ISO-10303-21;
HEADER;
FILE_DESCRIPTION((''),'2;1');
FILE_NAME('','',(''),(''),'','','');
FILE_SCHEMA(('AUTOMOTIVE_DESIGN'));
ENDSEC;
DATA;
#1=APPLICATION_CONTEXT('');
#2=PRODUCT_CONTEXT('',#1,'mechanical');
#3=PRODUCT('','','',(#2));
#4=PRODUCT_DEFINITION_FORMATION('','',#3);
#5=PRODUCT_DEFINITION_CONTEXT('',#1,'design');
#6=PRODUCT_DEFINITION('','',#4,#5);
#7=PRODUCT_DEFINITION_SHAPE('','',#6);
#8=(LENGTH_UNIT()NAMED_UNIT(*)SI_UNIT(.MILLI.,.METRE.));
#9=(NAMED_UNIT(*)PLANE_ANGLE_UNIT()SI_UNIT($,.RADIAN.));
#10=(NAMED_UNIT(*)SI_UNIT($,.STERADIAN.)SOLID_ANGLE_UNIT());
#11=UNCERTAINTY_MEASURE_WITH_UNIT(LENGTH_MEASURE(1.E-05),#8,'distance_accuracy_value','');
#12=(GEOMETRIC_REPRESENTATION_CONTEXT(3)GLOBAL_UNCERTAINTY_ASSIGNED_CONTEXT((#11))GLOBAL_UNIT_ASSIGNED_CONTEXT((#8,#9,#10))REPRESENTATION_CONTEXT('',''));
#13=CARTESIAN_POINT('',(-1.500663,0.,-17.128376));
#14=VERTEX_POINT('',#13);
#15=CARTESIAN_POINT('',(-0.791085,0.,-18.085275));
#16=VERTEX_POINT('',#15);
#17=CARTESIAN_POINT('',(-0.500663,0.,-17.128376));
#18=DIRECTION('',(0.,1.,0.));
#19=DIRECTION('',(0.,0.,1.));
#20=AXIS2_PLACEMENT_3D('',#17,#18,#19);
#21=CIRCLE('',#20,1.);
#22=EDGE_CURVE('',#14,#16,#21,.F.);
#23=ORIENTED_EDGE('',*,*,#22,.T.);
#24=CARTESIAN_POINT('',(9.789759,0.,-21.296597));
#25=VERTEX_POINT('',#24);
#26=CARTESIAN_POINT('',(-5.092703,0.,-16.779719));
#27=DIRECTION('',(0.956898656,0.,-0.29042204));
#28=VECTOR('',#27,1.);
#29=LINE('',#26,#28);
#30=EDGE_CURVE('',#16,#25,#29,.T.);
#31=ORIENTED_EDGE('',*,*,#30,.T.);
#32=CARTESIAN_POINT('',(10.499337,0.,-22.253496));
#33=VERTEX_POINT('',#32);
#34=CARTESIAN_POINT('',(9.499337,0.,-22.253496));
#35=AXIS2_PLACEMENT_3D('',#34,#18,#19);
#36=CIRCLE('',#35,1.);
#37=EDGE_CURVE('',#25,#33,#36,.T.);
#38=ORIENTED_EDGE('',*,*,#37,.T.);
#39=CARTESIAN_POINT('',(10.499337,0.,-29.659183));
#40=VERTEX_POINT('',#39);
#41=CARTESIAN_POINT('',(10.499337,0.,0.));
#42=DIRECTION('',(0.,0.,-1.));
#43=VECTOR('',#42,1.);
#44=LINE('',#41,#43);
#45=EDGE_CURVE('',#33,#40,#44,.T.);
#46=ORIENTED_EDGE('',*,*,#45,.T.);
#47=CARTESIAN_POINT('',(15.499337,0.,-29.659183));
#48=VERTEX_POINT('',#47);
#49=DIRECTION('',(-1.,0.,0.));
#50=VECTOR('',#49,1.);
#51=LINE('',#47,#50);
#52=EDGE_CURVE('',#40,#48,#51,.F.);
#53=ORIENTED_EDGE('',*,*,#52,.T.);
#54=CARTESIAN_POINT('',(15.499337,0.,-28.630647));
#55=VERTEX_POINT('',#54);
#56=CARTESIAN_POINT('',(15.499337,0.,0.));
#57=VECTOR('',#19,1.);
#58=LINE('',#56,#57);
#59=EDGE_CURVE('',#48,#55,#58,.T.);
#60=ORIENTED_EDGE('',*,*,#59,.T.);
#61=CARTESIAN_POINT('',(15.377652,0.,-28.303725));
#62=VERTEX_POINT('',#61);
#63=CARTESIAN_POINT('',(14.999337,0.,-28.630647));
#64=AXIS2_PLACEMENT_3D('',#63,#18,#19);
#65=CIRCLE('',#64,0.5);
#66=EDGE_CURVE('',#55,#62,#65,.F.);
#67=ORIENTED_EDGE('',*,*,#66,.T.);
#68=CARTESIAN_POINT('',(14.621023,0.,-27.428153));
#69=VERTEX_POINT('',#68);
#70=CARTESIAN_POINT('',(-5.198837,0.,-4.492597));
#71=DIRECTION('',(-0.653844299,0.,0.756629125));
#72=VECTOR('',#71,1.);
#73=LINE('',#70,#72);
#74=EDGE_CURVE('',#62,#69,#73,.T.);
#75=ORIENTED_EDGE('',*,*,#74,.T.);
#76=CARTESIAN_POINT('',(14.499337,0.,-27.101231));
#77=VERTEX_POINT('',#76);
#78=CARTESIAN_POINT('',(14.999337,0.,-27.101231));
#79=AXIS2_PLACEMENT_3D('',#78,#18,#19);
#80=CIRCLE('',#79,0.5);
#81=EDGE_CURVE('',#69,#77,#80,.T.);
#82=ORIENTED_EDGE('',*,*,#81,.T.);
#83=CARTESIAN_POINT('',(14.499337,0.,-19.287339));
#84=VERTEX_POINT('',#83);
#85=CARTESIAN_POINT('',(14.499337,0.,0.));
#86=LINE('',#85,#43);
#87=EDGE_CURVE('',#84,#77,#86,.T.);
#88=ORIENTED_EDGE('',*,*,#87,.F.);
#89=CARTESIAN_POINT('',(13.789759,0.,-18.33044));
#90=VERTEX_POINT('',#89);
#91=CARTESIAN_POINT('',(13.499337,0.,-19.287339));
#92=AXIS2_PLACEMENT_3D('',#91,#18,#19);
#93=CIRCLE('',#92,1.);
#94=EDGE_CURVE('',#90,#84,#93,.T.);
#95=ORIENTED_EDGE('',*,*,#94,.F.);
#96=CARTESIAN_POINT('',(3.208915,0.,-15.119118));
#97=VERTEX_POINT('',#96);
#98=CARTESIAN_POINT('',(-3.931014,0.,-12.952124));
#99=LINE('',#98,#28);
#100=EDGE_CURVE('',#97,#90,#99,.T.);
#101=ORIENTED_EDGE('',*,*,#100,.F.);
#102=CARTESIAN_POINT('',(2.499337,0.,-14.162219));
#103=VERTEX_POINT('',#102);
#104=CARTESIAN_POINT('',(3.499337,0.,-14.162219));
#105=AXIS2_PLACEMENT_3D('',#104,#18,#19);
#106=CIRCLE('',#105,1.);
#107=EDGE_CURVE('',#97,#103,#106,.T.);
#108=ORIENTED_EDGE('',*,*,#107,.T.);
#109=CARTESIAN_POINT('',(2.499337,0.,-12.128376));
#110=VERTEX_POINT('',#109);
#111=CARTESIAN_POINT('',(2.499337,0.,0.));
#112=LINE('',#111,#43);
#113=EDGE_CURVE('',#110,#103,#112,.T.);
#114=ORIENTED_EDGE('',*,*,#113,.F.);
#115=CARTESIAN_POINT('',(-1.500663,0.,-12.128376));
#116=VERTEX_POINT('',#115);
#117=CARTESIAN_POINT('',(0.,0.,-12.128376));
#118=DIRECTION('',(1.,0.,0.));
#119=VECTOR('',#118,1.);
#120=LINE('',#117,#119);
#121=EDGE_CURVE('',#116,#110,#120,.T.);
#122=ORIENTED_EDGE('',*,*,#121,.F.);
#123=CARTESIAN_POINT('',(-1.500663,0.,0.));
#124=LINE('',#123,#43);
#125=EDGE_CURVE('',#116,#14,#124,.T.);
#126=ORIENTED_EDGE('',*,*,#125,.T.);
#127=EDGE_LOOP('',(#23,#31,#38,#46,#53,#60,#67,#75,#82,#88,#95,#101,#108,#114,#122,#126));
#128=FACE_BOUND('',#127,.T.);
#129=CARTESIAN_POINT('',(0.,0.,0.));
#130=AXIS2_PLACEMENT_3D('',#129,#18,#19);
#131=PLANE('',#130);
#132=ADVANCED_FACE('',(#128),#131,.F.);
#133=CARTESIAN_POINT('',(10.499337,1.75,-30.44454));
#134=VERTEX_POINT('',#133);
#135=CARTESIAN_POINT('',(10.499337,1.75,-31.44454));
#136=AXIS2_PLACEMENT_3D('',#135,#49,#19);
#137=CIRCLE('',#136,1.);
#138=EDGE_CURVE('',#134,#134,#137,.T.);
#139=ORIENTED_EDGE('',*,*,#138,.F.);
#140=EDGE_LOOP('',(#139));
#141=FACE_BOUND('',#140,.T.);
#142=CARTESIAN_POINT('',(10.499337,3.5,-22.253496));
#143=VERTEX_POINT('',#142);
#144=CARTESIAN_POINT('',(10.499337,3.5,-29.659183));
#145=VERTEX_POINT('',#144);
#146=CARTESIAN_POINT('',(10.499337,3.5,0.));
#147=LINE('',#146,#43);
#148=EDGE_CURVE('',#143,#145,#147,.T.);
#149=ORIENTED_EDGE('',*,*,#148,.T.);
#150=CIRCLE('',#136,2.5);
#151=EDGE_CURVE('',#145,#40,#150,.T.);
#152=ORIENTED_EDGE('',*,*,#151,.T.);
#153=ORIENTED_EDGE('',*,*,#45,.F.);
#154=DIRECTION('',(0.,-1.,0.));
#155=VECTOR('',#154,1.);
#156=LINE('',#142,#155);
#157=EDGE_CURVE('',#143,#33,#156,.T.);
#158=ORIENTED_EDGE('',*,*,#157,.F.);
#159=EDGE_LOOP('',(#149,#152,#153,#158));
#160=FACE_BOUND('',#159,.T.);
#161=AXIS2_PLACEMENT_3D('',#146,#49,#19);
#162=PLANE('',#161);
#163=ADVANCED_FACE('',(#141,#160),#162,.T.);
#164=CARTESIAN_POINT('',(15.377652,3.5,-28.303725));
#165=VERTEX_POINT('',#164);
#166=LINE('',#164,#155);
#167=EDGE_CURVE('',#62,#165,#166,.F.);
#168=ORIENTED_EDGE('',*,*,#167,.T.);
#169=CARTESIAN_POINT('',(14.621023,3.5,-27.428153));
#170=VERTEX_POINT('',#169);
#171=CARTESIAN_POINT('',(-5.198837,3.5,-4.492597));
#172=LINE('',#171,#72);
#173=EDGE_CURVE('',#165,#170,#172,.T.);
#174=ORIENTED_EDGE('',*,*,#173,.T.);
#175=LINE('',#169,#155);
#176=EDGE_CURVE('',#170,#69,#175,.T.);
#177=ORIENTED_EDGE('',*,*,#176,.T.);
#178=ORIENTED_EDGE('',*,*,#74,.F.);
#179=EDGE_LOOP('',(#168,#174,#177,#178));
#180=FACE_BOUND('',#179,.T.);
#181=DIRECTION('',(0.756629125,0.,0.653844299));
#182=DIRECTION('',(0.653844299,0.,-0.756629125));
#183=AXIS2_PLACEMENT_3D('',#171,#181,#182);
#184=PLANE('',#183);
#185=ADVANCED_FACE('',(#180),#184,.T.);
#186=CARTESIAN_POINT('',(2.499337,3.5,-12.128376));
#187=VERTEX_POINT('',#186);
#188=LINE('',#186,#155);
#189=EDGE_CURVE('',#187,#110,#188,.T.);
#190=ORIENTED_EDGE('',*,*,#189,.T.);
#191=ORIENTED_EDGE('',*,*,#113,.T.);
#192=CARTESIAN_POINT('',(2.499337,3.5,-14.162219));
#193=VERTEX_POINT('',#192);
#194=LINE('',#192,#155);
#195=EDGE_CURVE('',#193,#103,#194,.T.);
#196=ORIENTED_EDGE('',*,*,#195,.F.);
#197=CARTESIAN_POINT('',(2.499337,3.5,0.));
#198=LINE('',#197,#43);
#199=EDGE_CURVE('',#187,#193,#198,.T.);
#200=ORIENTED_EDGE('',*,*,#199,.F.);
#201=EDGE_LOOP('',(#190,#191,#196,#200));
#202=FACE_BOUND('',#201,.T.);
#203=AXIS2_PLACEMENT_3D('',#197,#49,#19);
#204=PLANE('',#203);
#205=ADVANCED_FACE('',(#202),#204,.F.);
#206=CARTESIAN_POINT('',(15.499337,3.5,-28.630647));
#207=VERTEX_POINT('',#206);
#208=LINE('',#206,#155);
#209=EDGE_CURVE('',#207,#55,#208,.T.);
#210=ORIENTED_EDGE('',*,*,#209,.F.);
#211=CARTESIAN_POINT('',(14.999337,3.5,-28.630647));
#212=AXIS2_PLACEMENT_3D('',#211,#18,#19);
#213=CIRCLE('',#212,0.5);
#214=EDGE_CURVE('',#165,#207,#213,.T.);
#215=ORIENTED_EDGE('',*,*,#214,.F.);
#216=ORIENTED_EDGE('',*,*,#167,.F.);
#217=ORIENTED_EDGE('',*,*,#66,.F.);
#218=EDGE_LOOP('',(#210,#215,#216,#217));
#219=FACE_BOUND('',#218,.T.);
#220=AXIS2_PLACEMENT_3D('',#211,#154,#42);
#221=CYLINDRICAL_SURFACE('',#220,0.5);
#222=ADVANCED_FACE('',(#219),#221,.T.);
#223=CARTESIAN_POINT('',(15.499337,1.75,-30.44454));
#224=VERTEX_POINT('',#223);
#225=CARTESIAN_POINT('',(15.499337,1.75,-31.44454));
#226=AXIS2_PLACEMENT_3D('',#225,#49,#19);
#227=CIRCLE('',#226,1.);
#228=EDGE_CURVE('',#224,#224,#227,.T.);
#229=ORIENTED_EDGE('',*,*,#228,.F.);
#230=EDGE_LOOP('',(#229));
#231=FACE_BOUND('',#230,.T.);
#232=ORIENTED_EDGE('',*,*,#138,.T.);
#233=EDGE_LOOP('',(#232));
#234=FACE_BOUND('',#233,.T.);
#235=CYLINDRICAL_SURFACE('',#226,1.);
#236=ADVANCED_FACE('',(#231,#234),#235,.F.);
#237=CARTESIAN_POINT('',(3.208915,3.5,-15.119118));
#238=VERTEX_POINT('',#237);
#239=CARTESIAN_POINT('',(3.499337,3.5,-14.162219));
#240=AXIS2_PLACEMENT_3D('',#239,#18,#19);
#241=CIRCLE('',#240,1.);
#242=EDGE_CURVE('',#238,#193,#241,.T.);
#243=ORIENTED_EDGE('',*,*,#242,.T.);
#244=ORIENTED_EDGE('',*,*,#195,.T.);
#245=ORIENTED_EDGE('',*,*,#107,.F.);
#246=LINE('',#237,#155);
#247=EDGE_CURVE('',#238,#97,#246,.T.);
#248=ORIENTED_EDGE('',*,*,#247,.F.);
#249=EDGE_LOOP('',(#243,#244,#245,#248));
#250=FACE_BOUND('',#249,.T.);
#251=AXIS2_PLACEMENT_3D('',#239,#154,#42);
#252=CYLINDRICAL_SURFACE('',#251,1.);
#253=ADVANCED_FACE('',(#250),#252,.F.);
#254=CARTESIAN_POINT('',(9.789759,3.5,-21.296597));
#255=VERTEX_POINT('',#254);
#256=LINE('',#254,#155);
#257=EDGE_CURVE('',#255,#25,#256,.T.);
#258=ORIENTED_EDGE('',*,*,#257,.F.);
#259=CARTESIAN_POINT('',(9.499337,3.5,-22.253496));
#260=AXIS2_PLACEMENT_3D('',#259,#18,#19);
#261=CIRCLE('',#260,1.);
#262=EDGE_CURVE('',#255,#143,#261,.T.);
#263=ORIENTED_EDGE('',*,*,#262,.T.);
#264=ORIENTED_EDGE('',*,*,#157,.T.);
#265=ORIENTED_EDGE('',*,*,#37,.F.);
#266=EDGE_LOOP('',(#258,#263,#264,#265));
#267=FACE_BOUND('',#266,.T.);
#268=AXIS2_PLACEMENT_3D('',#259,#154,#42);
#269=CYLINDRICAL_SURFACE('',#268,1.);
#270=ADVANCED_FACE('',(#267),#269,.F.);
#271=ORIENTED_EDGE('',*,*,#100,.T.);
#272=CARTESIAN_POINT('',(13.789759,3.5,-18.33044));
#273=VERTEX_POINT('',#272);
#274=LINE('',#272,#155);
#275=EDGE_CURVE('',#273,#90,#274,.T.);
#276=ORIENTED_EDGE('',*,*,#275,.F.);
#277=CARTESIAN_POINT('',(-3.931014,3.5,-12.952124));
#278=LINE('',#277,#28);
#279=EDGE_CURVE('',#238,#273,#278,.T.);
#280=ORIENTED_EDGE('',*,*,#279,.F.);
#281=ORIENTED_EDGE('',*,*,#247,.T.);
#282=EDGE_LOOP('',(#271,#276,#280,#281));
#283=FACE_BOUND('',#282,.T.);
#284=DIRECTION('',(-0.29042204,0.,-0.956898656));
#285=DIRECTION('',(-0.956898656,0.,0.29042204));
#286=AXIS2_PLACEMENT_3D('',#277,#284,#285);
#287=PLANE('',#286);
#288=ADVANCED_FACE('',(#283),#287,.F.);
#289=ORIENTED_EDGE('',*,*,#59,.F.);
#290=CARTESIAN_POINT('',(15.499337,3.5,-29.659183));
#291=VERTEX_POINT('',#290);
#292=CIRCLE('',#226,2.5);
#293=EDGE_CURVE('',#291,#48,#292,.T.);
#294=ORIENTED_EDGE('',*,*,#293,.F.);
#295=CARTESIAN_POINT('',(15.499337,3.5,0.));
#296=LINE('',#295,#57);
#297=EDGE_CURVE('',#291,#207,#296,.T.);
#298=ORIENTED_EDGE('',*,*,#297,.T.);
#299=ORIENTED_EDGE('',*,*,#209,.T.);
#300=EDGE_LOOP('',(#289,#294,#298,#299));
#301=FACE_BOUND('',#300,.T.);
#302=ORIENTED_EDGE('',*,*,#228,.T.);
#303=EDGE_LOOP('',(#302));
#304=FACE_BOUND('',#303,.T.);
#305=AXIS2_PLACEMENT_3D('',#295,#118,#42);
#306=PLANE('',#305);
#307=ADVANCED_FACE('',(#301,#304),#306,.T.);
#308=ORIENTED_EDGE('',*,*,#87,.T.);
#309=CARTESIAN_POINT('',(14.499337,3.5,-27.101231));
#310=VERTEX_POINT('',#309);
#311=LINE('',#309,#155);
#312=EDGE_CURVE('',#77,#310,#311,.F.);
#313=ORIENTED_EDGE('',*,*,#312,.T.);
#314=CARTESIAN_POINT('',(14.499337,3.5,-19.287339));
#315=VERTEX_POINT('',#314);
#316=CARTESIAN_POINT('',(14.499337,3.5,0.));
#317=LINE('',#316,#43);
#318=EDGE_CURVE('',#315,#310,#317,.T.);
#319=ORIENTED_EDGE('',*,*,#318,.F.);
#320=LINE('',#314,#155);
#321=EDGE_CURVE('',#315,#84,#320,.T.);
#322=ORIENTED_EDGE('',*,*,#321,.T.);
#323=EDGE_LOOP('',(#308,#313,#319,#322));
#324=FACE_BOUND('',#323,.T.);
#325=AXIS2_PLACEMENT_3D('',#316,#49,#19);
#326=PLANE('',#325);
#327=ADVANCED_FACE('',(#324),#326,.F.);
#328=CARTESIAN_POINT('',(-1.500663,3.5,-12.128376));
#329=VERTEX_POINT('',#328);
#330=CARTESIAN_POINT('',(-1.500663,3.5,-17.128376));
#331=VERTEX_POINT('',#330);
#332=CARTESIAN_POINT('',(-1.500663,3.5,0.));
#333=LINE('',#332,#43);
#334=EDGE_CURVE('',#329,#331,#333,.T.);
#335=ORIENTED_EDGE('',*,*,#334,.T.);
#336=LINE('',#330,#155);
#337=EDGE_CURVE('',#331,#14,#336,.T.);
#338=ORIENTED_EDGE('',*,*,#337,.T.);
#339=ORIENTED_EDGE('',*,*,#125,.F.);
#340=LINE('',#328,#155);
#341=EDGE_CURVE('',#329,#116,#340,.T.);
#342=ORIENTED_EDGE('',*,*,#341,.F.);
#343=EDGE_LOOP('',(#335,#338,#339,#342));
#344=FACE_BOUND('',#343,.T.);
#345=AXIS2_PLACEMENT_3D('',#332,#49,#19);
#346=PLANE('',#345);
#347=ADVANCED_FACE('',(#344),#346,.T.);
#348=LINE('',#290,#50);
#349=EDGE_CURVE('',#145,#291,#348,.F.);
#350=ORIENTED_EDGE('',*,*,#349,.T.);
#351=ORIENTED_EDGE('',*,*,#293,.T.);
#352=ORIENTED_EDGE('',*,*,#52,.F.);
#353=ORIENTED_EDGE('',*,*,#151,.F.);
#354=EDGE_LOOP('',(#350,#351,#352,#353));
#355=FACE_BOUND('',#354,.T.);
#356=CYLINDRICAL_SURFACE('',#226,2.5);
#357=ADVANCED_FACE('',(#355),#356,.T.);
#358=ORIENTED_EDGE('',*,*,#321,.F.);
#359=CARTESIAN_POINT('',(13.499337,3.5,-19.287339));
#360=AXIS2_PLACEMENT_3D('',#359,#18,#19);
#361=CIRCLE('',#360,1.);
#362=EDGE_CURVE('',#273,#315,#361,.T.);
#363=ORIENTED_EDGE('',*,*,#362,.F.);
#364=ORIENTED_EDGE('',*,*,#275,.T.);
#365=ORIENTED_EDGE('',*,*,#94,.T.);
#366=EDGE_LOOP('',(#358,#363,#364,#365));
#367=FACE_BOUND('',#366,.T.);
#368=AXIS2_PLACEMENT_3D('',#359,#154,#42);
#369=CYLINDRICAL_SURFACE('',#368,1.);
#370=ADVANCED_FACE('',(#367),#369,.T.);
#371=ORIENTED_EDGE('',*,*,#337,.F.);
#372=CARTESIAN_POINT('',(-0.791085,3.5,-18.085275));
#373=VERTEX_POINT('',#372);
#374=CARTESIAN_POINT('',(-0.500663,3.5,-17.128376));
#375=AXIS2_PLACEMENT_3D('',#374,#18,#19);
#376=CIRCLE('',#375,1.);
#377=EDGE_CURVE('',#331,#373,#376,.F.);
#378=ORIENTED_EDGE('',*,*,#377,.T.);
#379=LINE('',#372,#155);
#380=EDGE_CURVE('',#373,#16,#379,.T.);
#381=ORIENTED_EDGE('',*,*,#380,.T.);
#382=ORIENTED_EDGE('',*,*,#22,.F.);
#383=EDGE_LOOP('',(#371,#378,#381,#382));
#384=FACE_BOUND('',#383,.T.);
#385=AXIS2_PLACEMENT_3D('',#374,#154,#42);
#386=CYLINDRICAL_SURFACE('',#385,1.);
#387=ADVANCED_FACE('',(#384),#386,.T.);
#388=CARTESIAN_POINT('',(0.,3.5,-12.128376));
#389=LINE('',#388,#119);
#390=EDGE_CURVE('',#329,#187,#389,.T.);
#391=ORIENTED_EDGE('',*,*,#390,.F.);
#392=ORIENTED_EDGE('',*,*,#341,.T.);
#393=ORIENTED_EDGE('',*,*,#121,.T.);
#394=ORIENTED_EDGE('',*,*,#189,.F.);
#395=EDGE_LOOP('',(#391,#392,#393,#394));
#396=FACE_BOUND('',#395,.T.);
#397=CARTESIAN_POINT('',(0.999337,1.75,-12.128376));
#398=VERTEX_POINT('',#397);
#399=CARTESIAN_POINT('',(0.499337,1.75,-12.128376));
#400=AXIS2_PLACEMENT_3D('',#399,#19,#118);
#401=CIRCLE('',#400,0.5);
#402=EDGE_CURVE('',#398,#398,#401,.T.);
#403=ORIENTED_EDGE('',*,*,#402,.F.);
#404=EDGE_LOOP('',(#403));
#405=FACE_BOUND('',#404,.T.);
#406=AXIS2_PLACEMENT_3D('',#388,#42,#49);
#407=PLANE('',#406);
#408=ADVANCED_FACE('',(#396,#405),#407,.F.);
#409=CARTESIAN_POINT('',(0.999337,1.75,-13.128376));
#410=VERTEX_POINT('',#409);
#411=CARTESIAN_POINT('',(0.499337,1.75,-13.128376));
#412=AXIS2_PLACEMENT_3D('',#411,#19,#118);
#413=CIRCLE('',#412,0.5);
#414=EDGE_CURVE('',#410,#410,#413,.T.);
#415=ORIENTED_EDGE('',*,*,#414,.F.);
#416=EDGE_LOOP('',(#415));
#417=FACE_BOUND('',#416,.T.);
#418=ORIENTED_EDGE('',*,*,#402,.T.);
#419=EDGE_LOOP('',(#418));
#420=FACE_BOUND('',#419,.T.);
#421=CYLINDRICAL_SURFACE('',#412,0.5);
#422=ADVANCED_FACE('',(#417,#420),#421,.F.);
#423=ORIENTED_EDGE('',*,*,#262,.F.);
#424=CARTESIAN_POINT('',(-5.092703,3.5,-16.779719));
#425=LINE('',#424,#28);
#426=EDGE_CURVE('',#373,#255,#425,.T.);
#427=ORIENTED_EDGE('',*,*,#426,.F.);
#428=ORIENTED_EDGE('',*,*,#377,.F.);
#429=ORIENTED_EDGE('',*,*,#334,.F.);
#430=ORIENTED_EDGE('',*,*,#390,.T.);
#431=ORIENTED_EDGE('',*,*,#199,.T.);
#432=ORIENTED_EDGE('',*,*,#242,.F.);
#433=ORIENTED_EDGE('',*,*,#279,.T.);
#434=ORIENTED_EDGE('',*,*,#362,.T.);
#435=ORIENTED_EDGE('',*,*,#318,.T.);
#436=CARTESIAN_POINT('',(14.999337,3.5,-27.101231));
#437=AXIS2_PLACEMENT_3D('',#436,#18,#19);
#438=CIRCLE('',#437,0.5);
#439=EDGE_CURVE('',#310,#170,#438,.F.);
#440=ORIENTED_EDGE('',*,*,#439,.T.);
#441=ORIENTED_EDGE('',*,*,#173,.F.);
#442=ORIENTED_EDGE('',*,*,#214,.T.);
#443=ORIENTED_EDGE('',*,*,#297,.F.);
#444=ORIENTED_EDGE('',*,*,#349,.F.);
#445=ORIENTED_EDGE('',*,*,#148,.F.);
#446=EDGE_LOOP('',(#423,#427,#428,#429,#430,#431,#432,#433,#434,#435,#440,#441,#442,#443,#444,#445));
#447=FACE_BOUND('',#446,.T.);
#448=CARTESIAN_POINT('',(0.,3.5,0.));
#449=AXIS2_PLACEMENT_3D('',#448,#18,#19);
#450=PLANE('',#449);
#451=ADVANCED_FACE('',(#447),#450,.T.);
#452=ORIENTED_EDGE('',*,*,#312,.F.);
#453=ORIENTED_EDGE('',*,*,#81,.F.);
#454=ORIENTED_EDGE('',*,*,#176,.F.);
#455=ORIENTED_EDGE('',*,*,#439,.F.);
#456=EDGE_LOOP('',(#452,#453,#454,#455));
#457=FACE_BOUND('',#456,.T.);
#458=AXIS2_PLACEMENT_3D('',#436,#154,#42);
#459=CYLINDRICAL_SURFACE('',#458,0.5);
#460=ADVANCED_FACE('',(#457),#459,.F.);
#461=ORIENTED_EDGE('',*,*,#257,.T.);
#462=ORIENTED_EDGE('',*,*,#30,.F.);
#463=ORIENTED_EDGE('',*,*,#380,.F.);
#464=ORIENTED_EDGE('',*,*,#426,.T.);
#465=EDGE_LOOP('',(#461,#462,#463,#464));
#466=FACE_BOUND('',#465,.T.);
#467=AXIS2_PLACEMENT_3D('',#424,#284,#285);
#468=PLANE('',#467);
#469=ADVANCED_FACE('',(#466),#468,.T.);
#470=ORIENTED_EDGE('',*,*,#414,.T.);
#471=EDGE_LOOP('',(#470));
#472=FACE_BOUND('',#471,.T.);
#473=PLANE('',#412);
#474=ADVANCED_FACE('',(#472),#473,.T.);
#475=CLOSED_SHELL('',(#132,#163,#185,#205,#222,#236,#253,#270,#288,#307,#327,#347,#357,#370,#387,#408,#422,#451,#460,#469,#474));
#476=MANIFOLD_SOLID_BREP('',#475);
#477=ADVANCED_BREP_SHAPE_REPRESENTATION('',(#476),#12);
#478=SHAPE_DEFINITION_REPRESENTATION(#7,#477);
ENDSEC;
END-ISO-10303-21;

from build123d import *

# Parameters (mm, degrees)
BOSS_EXTRUDE2_DEPTH = 3.5
SKETCH3_R           = 2.5
BOSS_EXTRUDE3_DEPTH = 5
FILLET2_R           = 0.5
SKETCH5_R           = 0.5
CUT_EXTRUDE1_DEPTH  = 1
SKETCH6_R           = 1
CUT_EXTRUDE2_DEPTH  = 6


with BuildPart() as part:
    # Sketch2 → Boss-Extrude2 (new body)
    with BuildSketch(Plane(origin=(0, 0, 0), x_dir=(1, 0, 0), z_dir=(0, 1, 0))):
        with BuildLine():
            Line((-1.500662684, 17.128376176), (-1.500662684, 12.128376176))
            Line((-1.500662684, 12.128376176), (2.499337316, 12.128376176))
            Line((2.499337316, 12.128376176), (2.499337316, 14.162218976))
            ThreePointArc((2.499337316, 14.162218976), (2.696087031, 14.75786063), (3.208915276, 15.119117632))
            Line((3.208915276, 15.119117632), (13.789759356, 18.330440279))
            ThreePointArc((13.789759356, 18.330440279), (14.302587601, 18.691697281), (14.499337316, 19.287338935))
            Line((14.499337316, 19.287338935), (14.499337316, 27.287338935))
            Line((14.499337316, 27.287338935), (15.499337316, 28.444539704))
            Line((15.499337316, 28.444539704), (15.499337316, 28.878255261))
            Line((15.499337316, 28.878255261), (15.499337316, 31.444539704))
            Line((15.499337316, 31.444539704), (10.499337316, 31.444539704))
            Line((10.499337316, 31.444539704), (10.499337316, 26.210120497))
            Line((10.499337316, 26.210120497), (10.499337316, 22.253496135))
            ThreePointArc((10.499337316, 22.253496135), (10.302587601, 21.657854481), (9.789759356, 21.296597478))
            Line((9.789759356, 21.296597478), (-0.791084724, 18.085274832))
            ThreePointArc((-0.791084724, 18.085274832), (-1.303912969, 17.724017829), (-1.500662684, 17.128376176))
        make_face()
    extrude(amount=BOSS_EXTRUDE2_DEPTH)

    # Sketch3 → Boss-Extrude3 (add)
    with BuildSketch(Plane.ZY.offset(-10.499337316)):
        with Locations((-31.444539704, 1.75)):
            Circle(SKETCH3_R)
    extrude(amount=-BOSS_EXTRUDE3_DEPTH)

    # Fillet2
    fillet2_edges = [part.edges().sort_by_distance(p)[0] for p in [
        (15.499337316, 1.75, -28.444539704),
        (14.499337316, 1.75, -27.287338935),
    ]]
    fillet(fillet2_edges, radius=FILLET2_R)

    # Sketch5 → Cut-Extrude1 (cut)
    with BuildSketch(Plane.XY.offset(-12.128376176)):
        with Locations((0.499337316, 1.75)):
            Circle(SKETCH5_R)
    extrude(amount=-CUT_EXTRUDE1_DEPTH, mode=Mode.SUBTRACT)

    # Sketch6 → Cut-Extrude2 (cut, through all)
    with BuildSketch(Plane.ZY.offset(-10.499337316)):
        with Locations((-31.444539704, 1.75)):
            Circle(SKETCH6_R)
    extrude(amount=-CUT_EXTRUDE2_DEPTH, mode=Mode.SUBTRACT)


solid = part.part
